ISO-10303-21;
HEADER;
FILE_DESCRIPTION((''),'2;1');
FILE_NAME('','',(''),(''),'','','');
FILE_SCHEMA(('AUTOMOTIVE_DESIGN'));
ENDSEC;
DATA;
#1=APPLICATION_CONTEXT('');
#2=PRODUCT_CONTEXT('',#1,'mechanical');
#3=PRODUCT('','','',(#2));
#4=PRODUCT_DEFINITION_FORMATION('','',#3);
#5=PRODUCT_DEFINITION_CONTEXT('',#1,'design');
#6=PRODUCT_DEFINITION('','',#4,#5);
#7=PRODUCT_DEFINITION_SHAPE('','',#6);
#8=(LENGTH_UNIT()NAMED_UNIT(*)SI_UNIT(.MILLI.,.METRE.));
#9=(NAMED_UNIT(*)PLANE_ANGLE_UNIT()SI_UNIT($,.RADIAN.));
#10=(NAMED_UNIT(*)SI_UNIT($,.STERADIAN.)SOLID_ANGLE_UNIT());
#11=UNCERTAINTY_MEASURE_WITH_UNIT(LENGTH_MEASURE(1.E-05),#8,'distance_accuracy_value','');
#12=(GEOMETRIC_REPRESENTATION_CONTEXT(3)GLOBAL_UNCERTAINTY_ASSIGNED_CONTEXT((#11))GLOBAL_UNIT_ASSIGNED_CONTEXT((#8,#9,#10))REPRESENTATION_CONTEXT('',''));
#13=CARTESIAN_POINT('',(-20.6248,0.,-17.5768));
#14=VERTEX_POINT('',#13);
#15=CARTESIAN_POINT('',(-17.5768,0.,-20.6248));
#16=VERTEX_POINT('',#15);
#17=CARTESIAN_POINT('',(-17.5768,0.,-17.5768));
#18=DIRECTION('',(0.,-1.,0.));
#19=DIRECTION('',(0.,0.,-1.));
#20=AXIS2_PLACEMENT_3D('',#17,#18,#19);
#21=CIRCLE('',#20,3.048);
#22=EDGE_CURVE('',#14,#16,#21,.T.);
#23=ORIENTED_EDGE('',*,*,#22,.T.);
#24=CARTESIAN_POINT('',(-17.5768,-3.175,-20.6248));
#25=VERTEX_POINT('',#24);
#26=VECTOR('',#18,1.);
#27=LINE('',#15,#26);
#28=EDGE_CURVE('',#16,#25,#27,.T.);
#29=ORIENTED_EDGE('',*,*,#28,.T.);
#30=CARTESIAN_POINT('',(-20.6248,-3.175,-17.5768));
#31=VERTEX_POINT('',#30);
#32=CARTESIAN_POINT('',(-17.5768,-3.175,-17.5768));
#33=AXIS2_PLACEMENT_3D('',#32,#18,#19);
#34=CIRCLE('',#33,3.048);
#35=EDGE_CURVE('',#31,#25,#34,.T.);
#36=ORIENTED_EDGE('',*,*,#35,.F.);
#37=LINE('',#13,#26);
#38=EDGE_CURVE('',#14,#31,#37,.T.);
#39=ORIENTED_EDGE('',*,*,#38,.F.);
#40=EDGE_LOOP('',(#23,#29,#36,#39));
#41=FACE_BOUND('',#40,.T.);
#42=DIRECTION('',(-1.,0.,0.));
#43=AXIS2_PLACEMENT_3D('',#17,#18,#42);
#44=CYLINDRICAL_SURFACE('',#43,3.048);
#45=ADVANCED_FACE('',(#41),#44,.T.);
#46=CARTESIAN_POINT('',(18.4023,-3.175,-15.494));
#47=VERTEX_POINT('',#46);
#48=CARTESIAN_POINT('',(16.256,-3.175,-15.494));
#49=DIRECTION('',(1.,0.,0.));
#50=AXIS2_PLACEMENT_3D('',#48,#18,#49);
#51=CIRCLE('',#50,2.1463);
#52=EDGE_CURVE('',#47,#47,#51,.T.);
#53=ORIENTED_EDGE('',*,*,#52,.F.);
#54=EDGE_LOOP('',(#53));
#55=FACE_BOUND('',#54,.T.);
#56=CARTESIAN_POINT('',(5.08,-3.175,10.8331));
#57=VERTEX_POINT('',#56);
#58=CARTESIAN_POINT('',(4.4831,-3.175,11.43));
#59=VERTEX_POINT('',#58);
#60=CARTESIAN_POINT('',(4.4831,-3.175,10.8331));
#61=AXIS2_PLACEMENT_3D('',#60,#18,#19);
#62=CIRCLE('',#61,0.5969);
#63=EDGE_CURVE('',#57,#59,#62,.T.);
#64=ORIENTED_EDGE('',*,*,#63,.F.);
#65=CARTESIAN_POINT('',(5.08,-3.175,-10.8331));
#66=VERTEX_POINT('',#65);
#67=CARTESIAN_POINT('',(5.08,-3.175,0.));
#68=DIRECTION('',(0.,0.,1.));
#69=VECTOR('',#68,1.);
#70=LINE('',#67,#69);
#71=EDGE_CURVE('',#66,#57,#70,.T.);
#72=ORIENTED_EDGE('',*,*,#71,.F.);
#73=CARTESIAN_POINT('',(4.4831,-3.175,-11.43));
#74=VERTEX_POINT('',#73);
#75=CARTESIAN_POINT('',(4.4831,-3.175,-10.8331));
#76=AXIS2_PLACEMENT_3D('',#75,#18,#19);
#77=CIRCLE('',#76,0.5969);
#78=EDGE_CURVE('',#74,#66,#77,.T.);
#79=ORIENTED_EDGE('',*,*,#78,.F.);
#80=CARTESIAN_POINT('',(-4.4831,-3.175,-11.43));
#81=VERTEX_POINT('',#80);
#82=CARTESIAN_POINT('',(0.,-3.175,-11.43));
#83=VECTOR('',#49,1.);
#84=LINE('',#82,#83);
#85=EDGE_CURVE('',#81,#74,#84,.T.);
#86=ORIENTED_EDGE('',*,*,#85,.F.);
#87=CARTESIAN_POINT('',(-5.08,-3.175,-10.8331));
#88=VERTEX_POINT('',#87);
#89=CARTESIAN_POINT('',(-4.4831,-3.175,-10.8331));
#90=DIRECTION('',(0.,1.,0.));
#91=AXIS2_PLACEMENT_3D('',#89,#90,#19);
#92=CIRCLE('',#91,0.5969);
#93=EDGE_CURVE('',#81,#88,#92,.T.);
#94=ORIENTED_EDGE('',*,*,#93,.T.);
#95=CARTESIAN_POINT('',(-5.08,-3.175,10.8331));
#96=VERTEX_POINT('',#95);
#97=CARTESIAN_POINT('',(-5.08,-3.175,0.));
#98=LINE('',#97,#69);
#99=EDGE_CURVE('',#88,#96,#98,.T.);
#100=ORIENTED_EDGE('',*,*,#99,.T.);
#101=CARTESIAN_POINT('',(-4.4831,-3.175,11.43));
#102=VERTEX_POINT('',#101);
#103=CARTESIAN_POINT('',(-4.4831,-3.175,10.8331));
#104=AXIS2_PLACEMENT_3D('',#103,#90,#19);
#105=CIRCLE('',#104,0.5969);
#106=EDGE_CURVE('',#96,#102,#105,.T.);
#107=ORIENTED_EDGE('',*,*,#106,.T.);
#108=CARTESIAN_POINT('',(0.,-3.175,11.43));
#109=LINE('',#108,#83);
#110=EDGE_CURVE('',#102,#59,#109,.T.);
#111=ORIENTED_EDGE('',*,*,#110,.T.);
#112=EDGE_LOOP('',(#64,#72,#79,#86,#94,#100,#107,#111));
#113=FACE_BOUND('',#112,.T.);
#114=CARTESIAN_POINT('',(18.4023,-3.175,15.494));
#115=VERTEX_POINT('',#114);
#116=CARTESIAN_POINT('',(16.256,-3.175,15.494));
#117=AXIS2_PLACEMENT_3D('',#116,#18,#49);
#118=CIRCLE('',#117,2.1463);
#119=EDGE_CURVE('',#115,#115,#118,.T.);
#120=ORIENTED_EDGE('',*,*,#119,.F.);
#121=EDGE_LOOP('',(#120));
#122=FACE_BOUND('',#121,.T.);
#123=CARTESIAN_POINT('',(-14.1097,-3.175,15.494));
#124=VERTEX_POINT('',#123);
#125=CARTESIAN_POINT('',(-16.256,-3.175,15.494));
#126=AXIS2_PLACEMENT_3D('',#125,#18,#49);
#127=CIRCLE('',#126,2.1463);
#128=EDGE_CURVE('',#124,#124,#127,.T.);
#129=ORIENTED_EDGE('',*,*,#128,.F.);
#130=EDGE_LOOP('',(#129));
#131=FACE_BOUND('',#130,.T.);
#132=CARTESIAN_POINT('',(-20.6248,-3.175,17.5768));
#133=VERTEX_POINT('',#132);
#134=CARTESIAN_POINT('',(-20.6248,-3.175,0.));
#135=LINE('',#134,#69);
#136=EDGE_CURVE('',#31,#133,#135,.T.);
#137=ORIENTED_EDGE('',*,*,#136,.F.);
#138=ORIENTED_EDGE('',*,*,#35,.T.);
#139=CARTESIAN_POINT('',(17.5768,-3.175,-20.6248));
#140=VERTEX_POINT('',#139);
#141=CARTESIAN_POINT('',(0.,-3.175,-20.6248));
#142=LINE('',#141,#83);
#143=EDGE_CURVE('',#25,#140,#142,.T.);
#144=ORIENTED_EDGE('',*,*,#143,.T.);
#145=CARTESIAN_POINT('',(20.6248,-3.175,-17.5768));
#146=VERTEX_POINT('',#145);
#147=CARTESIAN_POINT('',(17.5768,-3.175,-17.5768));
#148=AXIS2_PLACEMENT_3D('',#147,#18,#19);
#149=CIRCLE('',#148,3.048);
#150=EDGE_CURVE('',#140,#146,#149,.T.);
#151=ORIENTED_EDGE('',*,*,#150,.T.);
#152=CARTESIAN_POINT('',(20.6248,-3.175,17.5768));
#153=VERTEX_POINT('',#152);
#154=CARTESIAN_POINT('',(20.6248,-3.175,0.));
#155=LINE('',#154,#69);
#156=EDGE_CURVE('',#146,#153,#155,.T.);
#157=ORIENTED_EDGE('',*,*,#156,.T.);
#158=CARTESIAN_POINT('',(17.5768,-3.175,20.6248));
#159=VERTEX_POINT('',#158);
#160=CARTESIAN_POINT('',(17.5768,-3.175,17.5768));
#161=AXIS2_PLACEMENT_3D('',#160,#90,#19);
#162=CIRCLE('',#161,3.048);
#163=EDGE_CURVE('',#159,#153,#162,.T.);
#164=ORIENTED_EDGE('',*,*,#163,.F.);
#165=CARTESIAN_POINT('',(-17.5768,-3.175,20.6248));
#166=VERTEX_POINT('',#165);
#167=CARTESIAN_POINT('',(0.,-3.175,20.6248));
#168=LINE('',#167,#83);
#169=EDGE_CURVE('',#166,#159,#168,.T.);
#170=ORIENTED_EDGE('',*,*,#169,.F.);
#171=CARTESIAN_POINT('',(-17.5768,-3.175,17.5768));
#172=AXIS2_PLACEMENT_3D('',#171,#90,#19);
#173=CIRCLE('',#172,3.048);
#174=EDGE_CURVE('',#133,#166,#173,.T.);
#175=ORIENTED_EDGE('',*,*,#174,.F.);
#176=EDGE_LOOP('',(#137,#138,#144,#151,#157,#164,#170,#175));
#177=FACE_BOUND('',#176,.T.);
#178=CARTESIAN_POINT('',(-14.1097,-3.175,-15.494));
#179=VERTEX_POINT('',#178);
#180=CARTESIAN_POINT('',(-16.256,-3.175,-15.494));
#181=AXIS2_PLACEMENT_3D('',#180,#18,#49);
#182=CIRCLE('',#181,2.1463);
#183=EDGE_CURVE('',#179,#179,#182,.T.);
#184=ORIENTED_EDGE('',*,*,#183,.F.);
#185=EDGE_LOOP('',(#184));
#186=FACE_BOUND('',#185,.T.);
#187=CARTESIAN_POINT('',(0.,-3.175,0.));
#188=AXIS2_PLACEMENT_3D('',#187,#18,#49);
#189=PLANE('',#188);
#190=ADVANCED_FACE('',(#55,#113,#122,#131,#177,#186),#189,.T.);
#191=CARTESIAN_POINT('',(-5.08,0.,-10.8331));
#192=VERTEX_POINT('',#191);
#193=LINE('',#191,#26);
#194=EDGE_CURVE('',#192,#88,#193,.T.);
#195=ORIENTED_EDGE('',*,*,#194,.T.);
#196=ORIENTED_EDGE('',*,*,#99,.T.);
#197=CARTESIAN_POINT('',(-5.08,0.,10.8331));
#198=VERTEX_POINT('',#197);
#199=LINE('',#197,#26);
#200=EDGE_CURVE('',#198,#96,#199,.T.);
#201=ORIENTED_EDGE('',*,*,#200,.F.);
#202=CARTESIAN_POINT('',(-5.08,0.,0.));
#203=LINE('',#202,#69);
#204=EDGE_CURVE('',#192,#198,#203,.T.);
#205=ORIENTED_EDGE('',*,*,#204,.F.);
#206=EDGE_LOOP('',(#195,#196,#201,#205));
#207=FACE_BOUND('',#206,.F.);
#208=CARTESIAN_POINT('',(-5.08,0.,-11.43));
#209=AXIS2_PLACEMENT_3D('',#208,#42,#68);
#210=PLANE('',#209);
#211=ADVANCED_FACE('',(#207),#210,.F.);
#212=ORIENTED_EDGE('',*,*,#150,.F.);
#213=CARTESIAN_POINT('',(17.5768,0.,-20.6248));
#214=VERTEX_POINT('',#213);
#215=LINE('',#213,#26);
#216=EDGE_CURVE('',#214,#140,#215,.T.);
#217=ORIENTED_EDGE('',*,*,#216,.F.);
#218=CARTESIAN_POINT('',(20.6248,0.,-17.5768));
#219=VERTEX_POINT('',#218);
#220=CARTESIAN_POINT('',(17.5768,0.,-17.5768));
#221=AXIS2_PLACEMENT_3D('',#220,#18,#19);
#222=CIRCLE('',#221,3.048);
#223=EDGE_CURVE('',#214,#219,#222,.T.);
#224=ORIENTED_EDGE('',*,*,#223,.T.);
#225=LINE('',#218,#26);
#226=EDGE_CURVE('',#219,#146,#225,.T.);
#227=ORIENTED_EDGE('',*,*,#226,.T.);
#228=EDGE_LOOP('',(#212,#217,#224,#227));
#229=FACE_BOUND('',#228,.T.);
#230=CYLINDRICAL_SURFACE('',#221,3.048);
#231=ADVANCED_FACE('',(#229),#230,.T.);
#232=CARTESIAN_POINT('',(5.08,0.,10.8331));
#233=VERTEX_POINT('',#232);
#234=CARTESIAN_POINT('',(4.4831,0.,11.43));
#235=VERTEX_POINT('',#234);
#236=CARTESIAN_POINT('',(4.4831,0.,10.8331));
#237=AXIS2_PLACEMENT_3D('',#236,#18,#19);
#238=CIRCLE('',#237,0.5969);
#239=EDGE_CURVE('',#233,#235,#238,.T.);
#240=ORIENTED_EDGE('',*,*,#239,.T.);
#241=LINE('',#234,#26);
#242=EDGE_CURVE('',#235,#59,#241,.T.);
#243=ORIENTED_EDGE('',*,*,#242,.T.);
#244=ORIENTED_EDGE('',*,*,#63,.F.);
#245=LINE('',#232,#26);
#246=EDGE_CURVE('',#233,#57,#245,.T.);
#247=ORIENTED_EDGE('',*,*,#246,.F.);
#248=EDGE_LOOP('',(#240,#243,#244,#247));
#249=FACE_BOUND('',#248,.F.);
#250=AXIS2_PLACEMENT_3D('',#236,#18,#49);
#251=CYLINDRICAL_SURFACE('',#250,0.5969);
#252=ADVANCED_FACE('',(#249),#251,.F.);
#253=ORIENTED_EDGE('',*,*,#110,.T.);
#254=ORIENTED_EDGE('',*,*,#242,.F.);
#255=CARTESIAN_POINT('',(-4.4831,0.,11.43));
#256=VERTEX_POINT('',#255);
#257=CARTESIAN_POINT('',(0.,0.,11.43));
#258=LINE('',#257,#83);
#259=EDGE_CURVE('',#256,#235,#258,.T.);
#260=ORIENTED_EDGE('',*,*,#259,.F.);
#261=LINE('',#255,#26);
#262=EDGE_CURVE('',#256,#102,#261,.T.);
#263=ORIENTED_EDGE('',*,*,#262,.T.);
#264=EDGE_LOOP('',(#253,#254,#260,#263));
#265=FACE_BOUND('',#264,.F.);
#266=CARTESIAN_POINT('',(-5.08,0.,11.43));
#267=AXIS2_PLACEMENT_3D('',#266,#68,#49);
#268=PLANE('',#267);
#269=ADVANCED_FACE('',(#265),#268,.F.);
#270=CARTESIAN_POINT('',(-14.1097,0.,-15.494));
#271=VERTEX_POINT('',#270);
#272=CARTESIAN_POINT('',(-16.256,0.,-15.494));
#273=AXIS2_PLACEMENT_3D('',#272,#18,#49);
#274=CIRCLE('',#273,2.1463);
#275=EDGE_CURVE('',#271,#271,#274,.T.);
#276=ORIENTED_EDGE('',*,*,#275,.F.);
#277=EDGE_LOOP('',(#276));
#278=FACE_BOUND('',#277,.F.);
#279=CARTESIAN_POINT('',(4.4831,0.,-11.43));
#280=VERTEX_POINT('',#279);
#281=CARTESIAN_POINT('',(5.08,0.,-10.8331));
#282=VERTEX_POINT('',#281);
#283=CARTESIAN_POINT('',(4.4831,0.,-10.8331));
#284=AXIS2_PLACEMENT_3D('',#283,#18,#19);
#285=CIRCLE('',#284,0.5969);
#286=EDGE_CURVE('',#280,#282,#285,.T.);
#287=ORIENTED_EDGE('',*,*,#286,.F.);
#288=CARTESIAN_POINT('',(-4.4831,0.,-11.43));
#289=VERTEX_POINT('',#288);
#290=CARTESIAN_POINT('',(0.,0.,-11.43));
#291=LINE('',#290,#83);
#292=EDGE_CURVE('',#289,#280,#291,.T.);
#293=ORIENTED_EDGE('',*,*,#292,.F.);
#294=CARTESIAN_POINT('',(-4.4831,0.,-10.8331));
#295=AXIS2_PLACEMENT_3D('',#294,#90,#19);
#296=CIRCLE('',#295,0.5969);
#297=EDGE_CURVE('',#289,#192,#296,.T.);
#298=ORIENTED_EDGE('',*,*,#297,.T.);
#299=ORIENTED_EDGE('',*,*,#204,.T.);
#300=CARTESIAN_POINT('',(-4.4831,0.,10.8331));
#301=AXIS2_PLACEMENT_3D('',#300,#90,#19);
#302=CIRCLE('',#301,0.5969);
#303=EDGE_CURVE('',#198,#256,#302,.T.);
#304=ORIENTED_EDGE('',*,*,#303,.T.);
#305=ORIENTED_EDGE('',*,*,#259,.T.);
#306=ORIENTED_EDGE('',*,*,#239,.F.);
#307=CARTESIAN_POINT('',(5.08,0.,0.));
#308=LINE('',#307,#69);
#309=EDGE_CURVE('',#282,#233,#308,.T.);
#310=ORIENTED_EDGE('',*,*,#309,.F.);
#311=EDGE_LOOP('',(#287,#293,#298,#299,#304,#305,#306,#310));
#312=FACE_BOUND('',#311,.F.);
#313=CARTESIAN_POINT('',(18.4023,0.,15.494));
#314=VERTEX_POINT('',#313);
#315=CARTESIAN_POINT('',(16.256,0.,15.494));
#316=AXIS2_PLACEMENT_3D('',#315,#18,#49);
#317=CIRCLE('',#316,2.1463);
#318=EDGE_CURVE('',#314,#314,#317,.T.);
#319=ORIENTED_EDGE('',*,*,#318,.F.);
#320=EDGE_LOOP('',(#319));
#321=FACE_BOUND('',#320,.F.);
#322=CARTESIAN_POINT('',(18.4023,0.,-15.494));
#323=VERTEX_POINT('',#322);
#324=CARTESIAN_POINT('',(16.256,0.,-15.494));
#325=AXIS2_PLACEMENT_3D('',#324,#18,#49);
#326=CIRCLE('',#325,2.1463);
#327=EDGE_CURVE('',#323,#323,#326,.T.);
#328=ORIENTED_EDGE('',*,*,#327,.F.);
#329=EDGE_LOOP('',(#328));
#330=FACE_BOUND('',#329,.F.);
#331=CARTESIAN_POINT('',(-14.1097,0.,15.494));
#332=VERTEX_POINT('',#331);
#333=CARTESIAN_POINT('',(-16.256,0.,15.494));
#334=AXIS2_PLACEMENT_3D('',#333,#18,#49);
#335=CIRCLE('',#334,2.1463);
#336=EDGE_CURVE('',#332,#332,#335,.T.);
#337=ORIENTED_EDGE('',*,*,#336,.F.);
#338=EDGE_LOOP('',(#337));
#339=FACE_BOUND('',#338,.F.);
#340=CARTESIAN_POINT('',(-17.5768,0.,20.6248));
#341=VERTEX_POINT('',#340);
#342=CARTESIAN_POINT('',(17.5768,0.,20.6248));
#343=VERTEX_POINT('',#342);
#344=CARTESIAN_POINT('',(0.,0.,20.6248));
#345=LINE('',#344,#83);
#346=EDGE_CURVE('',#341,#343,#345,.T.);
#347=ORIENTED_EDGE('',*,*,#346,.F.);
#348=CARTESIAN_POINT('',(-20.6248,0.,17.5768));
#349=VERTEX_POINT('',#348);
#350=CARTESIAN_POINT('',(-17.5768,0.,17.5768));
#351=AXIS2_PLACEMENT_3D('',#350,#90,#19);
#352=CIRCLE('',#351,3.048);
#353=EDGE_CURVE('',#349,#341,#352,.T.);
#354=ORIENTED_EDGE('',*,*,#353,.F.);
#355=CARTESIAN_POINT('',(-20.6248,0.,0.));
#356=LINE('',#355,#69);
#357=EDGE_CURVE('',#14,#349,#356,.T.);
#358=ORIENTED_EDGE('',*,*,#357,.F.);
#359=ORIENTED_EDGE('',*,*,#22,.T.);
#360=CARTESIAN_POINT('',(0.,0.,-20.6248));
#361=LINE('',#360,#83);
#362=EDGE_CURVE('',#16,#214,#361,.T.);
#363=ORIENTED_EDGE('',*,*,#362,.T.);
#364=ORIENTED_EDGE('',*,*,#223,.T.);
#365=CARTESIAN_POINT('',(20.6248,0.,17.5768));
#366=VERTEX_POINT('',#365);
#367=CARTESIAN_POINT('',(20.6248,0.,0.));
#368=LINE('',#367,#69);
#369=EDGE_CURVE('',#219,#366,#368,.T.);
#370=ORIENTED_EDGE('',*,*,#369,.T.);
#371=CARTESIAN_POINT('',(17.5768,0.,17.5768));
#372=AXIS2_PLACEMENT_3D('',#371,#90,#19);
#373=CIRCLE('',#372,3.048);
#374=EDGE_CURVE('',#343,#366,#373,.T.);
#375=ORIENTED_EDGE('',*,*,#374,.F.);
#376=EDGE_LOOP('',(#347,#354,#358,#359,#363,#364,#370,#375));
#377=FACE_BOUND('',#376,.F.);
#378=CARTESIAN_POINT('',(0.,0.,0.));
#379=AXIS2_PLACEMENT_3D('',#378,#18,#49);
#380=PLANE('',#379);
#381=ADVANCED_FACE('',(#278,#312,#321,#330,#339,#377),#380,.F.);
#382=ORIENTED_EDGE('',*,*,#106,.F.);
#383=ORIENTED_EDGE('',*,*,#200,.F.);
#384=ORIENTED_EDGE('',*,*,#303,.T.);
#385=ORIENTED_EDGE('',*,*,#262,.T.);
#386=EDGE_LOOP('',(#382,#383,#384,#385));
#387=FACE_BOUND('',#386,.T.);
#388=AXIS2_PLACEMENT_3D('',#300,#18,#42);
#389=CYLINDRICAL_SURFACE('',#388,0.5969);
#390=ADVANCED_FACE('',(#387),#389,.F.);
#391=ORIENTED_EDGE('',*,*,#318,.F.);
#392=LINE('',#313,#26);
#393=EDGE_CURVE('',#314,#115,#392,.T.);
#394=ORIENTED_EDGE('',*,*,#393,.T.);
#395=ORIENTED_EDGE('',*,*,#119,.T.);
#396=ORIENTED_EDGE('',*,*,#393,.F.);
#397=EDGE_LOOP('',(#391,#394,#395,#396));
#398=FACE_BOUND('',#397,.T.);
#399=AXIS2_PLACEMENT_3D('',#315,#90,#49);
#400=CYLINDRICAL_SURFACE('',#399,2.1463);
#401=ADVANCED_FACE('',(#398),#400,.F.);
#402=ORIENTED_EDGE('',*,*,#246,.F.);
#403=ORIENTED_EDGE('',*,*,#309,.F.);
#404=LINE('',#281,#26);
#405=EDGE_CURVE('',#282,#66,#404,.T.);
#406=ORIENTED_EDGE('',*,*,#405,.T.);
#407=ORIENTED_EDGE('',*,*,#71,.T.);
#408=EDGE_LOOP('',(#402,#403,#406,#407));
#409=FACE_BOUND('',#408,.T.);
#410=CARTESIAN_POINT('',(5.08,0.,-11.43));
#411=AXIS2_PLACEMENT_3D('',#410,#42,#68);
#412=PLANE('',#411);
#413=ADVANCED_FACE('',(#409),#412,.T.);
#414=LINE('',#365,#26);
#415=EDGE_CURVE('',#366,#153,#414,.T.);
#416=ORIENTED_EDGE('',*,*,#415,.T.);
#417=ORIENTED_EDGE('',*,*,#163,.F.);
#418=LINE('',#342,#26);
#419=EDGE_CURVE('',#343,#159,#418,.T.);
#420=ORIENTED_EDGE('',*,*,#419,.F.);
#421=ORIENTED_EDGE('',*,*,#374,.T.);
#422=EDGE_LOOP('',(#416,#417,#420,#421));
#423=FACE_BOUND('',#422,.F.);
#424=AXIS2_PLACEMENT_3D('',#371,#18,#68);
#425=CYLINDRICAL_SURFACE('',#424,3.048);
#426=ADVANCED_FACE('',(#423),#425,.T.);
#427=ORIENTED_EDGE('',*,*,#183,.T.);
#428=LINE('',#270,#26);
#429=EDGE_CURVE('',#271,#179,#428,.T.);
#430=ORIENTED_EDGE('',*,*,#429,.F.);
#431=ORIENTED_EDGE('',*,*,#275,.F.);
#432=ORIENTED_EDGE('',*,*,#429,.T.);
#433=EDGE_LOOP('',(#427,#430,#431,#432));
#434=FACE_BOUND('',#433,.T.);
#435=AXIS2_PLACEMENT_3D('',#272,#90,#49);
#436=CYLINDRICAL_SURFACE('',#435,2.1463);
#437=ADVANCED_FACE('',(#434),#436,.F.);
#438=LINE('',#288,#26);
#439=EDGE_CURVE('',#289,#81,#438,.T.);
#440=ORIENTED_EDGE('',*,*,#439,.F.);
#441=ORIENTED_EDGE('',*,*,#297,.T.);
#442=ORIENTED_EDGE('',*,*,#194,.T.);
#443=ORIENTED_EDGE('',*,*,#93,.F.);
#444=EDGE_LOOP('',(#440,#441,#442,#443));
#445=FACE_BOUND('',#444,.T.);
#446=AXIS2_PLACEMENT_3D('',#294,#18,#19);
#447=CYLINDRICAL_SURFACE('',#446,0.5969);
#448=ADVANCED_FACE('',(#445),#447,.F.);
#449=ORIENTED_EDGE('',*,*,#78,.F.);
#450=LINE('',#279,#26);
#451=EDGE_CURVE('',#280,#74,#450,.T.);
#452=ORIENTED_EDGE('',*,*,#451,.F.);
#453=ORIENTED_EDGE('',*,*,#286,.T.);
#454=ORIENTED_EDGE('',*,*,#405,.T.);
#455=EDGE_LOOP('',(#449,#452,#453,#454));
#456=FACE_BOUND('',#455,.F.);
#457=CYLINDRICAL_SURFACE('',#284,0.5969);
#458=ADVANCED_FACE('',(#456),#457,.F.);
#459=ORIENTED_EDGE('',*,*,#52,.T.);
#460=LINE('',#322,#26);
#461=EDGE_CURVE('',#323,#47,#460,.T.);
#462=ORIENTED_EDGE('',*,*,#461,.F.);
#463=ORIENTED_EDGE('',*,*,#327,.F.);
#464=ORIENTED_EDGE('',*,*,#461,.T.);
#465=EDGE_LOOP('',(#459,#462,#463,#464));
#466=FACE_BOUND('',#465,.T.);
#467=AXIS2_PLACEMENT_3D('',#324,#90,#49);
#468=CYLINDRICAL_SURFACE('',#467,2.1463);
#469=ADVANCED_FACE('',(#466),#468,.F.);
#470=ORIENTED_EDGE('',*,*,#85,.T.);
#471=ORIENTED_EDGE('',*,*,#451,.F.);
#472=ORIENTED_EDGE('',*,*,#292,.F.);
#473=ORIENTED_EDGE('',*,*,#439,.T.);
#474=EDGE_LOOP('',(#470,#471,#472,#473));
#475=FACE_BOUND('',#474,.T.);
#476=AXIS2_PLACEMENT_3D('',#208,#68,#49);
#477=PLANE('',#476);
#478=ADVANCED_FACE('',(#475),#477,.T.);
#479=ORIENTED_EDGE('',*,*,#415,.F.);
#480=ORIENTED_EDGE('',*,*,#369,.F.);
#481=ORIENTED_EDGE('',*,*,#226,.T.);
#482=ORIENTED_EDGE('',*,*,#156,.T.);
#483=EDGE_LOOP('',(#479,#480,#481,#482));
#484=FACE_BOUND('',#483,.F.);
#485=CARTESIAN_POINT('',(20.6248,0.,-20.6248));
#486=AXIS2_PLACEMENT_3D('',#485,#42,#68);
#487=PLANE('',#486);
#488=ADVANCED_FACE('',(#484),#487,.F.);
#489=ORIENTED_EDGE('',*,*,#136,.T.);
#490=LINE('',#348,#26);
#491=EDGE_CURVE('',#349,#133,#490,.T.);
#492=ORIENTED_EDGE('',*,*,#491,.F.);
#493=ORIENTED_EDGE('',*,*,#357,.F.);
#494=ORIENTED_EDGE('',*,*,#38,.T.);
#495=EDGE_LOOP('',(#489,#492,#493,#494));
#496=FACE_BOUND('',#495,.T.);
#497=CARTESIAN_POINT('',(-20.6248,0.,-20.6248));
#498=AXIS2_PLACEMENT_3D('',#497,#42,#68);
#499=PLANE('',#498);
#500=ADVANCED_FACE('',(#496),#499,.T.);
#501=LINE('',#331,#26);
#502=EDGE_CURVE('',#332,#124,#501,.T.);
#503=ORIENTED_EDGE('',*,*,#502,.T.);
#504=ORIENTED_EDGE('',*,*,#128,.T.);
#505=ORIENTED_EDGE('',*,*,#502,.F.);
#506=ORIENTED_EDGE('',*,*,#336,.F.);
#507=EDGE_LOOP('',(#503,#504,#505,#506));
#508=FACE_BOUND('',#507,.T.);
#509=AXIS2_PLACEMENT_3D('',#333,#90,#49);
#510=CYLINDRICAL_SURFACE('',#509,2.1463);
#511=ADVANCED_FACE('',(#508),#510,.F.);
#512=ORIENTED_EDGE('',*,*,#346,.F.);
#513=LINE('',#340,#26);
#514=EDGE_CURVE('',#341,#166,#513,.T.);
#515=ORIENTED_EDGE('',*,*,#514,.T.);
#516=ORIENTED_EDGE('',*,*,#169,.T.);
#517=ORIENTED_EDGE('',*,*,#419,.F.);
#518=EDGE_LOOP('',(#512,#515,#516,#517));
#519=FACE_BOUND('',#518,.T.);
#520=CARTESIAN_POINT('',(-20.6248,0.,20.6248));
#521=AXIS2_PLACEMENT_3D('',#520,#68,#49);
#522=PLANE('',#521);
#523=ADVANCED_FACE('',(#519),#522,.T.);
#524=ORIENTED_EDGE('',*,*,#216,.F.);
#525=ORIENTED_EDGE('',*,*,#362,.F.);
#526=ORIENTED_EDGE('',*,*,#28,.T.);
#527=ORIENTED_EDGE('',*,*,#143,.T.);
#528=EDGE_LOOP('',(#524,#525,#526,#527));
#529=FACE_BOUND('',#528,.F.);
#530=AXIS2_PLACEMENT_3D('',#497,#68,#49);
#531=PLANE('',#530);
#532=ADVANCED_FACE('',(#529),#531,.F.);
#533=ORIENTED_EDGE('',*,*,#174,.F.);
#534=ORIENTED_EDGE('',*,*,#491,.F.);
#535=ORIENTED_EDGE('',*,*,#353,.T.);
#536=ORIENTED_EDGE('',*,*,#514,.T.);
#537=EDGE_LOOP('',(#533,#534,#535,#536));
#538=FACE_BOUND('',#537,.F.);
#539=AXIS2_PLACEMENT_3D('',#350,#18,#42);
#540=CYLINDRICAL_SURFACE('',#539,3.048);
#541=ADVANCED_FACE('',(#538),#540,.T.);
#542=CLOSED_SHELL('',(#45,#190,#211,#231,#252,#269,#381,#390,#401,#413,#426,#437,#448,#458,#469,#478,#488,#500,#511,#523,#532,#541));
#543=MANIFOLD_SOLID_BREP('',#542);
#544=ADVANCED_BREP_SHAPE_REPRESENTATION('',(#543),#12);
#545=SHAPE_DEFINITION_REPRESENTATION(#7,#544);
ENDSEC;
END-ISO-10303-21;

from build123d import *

# Parameters (mm, degrees)
F0_W     = 41.2496
F0_H     = 41.2496
F0_R     = 2.1463
F0_W_2   = 10.16
F0_H_2   = 22.86
F1_DEPTH = 3.175
F2_R     = 3.048
F3_R     = 0.5969


with BuildPart() as f1:
    # F0 (on Front) → F1 (new body)
    with BuildSketch(Plane.XZ):
        Rectangle(F0_W, F0_H)
        with Locations((-16.256, -15.494)):
            Circle(F0_R, mode=Mode.SUBTRACT)
        with Locations((16.256, -15.494)):
            Circle(F0_R, mode=Mode.SUBTRACT)
        with Locations((-16.256, 15.494)):
            Circle(F0_R, mode=Mode.SUBTRACT)
        Rectangle(F0_W_2, F0_H_2, mode=Mode.SUBTRACT)
        with Locations((16.256, 15.494)):
            Circle(F0_R, mode=Mode.SUBTRACT)
    extrude(amount=F1_DEPTH)

    # F2
    f2_edges = [f1.edges().sort_by_distance(p)[0] for p in [
        (20.6248, -1.5875, 20.6248),
        (-20.6248, -1.5875, 20.6248),
        (-20.6248, -1.5875, -20.6248),
        (20.6248, -1.5875, -20.6248),
    ]]
    fillet(f2_edges, radius=F2_R)

    # F3
    f3_edges = [f1.edges().sort_by_distance(p)[0] for p in [
        (-5.08, -1.5875, 11.43),
        (5.08, -1.5875, 11.43),
        (-5.08, -1.5875, -11.43),
        (5.08, -1.5875, -11.43),
    ]]
    fillet(f3_edges, radius=F3_R)


solid = f1.part
